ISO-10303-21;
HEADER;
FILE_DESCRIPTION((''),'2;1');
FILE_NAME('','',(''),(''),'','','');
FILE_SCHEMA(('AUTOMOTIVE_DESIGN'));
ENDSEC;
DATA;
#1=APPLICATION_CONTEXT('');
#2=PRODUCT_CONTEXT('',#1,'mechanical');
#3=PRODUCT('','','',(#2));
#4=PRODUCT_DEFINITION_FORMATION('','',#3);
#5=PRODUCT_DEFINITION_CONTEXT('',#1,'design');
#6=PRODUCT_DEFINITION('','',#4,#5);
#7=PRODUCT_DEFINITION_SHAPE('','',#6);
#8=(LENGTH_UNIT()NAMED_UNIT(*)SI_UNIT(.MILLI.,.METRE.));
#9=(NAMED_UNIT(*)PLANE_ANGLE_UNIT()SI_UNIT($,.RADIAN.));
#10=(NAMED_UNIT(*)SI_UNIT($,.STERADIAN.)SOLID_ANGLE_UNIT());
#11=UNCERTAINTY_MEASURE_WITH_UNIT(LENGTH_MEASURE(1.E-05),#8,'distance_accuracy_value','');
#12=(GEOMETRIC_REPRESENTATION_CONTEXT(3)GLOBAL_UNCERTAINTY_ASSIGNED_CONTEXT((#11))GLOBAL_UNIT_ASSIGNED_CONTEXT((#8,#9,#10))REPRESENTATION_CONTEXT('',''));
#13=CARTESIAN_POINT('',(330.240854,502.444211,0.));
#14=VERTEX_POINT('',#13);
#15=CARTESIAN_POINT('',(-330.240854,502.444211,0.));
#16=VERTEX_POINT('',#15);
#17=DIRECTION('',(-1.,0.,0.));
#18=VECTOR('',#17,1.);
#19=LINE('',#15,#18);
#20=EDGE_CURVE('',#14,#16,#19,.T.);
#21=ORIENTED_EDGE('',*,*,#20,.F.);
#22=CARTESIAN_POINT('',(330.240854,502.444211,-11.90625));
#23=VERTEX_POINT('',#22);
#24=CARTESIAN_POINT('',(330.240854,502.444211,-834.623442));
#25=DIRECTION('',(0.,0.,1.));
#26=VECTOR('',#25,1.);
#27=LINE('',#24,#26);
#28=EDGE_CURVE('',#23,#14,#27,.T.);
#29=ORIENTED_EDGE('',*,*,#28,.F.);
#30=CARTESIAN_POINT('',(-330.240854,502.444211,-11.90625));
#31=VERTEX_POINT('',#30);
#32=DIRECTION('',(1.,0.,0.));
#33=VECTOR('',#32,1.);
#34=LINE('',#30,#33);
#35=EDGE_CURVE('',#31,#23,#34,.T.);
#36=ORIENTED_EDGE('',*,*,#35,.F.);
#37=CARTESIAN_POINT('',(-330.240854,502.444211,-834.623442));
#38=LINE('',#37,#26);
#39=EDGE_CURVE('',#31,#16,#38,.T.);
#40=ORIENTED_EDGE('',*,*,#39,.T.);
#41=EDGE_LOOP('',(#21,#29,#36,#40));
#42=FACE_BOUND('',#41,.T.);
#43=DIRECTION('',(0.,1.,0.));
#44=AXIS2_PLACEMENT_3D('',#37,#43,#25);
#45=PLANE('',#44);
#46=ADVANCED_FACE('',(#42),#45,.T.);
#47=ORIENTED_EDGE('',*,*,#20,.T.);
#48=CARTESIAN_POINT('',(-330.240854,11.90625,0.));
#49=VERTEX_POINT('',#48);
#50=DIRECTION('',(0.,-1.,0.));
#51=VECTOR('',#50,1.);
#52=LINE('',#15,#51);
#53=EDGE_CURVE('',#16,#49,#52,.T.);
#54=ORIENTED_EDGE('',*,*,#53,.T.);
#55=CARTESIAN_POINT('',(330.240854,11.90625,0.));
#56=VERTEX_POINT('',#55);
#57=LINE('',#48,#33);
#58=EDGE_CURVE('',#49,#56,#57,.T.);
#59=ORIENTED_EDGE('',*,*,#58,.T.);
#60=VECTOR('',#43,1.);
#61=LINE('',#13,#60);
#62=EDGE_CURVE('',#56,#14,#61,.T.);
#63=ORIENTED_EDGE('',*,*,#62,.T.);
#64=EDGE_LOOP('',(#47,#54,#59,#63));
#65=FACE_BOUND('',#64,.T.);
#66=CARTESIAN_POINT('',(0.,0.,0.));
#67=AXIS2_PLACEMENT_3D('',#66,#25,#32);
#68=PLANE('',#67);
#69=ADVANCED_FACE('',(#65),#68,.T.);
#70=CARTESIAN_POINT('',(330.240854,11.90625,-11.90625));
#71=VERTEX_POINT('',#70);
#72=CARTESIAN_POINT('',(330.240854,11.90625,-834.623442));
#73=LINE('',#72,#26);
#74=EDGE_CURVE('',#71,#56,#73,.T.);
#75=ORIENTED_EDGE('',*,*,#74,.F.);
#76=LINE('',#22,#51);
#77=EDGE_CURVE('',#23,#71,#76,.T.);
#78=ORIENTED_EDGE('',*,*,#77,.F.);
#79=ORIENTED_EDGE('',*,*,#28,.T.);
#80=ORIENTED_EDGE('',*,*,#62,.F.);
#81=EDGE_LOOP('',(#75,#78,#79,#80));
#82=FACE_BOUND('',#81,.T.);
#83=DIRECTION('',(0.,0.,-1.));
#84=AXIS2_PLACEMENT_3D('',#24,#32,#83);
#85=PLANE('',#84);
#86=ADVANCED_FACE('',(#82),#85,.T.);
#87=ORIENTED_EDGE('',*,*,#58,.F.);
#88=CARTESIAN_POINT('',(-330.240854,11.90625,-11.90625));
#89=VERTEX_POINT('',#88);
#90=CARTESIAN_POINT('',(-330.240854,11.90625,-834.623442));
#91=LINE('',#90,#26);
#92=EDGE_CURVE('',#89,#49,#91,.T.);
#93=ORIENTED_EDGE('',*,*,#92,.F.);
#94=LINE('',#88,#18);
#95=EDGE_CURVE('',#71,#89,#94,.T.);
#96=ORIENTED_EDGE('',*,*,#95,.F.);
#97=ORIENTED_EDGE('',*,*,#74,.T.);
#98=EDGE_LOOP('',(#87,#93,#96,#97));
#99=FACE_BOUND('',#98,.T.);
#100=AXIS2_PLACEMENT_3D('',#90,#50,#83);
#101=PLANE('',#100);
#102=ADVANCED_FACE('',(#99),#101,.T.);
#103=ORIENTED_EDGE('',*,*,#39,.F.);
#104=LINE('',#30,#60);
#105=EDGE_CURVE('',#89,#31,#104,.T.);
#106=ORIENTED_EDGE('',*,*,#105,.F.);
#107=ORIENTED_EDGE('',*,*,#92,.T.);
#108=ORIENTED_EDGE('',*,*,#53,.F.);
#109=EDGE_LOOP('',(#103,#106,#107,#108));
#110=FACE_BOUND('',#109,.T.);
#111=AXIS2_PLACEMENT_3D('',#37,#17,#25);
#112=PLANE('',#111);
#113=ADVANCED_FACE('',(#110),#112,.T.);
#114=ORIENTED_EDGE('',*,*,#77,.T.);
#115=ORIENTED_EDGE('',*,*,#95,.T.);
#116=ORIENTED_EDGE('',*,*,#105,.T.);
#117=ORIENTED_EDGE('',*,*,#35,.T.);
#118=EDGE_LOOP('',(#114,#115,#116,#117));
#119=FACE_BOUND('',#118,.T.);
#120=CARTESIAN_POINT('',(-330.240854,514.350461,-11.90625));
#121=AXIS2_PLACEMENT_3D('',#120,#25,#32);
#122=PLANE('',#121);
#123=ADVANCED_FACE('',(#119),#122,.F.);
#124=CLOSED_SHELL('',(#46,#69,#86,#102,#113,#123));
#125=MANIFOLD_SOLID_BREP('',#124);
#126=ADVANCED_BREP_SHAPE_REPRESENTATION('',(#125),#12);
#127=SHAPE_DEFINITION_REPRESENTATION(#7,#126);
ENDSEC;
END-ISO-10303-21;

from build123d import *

# Parameters (mm, degrees)
SKETCH1_W           = 660.481708072
SKETCH1_H           = 490.53796101
BOSS_EXTRUDE1_DEPTH = 11.90625


with BuildPart() as part:
    # Sketch1 → Boss-Extrude1 (new body)
    with BuildSketch(Plane.XY):
        with Locations((0, 257.175230505)):
            Rectangle(SKETCH1_W, SKETCH1_H)
    extrude(amount=-BOSS_EXTRUDE1_DEPTH)


solid = part.part
